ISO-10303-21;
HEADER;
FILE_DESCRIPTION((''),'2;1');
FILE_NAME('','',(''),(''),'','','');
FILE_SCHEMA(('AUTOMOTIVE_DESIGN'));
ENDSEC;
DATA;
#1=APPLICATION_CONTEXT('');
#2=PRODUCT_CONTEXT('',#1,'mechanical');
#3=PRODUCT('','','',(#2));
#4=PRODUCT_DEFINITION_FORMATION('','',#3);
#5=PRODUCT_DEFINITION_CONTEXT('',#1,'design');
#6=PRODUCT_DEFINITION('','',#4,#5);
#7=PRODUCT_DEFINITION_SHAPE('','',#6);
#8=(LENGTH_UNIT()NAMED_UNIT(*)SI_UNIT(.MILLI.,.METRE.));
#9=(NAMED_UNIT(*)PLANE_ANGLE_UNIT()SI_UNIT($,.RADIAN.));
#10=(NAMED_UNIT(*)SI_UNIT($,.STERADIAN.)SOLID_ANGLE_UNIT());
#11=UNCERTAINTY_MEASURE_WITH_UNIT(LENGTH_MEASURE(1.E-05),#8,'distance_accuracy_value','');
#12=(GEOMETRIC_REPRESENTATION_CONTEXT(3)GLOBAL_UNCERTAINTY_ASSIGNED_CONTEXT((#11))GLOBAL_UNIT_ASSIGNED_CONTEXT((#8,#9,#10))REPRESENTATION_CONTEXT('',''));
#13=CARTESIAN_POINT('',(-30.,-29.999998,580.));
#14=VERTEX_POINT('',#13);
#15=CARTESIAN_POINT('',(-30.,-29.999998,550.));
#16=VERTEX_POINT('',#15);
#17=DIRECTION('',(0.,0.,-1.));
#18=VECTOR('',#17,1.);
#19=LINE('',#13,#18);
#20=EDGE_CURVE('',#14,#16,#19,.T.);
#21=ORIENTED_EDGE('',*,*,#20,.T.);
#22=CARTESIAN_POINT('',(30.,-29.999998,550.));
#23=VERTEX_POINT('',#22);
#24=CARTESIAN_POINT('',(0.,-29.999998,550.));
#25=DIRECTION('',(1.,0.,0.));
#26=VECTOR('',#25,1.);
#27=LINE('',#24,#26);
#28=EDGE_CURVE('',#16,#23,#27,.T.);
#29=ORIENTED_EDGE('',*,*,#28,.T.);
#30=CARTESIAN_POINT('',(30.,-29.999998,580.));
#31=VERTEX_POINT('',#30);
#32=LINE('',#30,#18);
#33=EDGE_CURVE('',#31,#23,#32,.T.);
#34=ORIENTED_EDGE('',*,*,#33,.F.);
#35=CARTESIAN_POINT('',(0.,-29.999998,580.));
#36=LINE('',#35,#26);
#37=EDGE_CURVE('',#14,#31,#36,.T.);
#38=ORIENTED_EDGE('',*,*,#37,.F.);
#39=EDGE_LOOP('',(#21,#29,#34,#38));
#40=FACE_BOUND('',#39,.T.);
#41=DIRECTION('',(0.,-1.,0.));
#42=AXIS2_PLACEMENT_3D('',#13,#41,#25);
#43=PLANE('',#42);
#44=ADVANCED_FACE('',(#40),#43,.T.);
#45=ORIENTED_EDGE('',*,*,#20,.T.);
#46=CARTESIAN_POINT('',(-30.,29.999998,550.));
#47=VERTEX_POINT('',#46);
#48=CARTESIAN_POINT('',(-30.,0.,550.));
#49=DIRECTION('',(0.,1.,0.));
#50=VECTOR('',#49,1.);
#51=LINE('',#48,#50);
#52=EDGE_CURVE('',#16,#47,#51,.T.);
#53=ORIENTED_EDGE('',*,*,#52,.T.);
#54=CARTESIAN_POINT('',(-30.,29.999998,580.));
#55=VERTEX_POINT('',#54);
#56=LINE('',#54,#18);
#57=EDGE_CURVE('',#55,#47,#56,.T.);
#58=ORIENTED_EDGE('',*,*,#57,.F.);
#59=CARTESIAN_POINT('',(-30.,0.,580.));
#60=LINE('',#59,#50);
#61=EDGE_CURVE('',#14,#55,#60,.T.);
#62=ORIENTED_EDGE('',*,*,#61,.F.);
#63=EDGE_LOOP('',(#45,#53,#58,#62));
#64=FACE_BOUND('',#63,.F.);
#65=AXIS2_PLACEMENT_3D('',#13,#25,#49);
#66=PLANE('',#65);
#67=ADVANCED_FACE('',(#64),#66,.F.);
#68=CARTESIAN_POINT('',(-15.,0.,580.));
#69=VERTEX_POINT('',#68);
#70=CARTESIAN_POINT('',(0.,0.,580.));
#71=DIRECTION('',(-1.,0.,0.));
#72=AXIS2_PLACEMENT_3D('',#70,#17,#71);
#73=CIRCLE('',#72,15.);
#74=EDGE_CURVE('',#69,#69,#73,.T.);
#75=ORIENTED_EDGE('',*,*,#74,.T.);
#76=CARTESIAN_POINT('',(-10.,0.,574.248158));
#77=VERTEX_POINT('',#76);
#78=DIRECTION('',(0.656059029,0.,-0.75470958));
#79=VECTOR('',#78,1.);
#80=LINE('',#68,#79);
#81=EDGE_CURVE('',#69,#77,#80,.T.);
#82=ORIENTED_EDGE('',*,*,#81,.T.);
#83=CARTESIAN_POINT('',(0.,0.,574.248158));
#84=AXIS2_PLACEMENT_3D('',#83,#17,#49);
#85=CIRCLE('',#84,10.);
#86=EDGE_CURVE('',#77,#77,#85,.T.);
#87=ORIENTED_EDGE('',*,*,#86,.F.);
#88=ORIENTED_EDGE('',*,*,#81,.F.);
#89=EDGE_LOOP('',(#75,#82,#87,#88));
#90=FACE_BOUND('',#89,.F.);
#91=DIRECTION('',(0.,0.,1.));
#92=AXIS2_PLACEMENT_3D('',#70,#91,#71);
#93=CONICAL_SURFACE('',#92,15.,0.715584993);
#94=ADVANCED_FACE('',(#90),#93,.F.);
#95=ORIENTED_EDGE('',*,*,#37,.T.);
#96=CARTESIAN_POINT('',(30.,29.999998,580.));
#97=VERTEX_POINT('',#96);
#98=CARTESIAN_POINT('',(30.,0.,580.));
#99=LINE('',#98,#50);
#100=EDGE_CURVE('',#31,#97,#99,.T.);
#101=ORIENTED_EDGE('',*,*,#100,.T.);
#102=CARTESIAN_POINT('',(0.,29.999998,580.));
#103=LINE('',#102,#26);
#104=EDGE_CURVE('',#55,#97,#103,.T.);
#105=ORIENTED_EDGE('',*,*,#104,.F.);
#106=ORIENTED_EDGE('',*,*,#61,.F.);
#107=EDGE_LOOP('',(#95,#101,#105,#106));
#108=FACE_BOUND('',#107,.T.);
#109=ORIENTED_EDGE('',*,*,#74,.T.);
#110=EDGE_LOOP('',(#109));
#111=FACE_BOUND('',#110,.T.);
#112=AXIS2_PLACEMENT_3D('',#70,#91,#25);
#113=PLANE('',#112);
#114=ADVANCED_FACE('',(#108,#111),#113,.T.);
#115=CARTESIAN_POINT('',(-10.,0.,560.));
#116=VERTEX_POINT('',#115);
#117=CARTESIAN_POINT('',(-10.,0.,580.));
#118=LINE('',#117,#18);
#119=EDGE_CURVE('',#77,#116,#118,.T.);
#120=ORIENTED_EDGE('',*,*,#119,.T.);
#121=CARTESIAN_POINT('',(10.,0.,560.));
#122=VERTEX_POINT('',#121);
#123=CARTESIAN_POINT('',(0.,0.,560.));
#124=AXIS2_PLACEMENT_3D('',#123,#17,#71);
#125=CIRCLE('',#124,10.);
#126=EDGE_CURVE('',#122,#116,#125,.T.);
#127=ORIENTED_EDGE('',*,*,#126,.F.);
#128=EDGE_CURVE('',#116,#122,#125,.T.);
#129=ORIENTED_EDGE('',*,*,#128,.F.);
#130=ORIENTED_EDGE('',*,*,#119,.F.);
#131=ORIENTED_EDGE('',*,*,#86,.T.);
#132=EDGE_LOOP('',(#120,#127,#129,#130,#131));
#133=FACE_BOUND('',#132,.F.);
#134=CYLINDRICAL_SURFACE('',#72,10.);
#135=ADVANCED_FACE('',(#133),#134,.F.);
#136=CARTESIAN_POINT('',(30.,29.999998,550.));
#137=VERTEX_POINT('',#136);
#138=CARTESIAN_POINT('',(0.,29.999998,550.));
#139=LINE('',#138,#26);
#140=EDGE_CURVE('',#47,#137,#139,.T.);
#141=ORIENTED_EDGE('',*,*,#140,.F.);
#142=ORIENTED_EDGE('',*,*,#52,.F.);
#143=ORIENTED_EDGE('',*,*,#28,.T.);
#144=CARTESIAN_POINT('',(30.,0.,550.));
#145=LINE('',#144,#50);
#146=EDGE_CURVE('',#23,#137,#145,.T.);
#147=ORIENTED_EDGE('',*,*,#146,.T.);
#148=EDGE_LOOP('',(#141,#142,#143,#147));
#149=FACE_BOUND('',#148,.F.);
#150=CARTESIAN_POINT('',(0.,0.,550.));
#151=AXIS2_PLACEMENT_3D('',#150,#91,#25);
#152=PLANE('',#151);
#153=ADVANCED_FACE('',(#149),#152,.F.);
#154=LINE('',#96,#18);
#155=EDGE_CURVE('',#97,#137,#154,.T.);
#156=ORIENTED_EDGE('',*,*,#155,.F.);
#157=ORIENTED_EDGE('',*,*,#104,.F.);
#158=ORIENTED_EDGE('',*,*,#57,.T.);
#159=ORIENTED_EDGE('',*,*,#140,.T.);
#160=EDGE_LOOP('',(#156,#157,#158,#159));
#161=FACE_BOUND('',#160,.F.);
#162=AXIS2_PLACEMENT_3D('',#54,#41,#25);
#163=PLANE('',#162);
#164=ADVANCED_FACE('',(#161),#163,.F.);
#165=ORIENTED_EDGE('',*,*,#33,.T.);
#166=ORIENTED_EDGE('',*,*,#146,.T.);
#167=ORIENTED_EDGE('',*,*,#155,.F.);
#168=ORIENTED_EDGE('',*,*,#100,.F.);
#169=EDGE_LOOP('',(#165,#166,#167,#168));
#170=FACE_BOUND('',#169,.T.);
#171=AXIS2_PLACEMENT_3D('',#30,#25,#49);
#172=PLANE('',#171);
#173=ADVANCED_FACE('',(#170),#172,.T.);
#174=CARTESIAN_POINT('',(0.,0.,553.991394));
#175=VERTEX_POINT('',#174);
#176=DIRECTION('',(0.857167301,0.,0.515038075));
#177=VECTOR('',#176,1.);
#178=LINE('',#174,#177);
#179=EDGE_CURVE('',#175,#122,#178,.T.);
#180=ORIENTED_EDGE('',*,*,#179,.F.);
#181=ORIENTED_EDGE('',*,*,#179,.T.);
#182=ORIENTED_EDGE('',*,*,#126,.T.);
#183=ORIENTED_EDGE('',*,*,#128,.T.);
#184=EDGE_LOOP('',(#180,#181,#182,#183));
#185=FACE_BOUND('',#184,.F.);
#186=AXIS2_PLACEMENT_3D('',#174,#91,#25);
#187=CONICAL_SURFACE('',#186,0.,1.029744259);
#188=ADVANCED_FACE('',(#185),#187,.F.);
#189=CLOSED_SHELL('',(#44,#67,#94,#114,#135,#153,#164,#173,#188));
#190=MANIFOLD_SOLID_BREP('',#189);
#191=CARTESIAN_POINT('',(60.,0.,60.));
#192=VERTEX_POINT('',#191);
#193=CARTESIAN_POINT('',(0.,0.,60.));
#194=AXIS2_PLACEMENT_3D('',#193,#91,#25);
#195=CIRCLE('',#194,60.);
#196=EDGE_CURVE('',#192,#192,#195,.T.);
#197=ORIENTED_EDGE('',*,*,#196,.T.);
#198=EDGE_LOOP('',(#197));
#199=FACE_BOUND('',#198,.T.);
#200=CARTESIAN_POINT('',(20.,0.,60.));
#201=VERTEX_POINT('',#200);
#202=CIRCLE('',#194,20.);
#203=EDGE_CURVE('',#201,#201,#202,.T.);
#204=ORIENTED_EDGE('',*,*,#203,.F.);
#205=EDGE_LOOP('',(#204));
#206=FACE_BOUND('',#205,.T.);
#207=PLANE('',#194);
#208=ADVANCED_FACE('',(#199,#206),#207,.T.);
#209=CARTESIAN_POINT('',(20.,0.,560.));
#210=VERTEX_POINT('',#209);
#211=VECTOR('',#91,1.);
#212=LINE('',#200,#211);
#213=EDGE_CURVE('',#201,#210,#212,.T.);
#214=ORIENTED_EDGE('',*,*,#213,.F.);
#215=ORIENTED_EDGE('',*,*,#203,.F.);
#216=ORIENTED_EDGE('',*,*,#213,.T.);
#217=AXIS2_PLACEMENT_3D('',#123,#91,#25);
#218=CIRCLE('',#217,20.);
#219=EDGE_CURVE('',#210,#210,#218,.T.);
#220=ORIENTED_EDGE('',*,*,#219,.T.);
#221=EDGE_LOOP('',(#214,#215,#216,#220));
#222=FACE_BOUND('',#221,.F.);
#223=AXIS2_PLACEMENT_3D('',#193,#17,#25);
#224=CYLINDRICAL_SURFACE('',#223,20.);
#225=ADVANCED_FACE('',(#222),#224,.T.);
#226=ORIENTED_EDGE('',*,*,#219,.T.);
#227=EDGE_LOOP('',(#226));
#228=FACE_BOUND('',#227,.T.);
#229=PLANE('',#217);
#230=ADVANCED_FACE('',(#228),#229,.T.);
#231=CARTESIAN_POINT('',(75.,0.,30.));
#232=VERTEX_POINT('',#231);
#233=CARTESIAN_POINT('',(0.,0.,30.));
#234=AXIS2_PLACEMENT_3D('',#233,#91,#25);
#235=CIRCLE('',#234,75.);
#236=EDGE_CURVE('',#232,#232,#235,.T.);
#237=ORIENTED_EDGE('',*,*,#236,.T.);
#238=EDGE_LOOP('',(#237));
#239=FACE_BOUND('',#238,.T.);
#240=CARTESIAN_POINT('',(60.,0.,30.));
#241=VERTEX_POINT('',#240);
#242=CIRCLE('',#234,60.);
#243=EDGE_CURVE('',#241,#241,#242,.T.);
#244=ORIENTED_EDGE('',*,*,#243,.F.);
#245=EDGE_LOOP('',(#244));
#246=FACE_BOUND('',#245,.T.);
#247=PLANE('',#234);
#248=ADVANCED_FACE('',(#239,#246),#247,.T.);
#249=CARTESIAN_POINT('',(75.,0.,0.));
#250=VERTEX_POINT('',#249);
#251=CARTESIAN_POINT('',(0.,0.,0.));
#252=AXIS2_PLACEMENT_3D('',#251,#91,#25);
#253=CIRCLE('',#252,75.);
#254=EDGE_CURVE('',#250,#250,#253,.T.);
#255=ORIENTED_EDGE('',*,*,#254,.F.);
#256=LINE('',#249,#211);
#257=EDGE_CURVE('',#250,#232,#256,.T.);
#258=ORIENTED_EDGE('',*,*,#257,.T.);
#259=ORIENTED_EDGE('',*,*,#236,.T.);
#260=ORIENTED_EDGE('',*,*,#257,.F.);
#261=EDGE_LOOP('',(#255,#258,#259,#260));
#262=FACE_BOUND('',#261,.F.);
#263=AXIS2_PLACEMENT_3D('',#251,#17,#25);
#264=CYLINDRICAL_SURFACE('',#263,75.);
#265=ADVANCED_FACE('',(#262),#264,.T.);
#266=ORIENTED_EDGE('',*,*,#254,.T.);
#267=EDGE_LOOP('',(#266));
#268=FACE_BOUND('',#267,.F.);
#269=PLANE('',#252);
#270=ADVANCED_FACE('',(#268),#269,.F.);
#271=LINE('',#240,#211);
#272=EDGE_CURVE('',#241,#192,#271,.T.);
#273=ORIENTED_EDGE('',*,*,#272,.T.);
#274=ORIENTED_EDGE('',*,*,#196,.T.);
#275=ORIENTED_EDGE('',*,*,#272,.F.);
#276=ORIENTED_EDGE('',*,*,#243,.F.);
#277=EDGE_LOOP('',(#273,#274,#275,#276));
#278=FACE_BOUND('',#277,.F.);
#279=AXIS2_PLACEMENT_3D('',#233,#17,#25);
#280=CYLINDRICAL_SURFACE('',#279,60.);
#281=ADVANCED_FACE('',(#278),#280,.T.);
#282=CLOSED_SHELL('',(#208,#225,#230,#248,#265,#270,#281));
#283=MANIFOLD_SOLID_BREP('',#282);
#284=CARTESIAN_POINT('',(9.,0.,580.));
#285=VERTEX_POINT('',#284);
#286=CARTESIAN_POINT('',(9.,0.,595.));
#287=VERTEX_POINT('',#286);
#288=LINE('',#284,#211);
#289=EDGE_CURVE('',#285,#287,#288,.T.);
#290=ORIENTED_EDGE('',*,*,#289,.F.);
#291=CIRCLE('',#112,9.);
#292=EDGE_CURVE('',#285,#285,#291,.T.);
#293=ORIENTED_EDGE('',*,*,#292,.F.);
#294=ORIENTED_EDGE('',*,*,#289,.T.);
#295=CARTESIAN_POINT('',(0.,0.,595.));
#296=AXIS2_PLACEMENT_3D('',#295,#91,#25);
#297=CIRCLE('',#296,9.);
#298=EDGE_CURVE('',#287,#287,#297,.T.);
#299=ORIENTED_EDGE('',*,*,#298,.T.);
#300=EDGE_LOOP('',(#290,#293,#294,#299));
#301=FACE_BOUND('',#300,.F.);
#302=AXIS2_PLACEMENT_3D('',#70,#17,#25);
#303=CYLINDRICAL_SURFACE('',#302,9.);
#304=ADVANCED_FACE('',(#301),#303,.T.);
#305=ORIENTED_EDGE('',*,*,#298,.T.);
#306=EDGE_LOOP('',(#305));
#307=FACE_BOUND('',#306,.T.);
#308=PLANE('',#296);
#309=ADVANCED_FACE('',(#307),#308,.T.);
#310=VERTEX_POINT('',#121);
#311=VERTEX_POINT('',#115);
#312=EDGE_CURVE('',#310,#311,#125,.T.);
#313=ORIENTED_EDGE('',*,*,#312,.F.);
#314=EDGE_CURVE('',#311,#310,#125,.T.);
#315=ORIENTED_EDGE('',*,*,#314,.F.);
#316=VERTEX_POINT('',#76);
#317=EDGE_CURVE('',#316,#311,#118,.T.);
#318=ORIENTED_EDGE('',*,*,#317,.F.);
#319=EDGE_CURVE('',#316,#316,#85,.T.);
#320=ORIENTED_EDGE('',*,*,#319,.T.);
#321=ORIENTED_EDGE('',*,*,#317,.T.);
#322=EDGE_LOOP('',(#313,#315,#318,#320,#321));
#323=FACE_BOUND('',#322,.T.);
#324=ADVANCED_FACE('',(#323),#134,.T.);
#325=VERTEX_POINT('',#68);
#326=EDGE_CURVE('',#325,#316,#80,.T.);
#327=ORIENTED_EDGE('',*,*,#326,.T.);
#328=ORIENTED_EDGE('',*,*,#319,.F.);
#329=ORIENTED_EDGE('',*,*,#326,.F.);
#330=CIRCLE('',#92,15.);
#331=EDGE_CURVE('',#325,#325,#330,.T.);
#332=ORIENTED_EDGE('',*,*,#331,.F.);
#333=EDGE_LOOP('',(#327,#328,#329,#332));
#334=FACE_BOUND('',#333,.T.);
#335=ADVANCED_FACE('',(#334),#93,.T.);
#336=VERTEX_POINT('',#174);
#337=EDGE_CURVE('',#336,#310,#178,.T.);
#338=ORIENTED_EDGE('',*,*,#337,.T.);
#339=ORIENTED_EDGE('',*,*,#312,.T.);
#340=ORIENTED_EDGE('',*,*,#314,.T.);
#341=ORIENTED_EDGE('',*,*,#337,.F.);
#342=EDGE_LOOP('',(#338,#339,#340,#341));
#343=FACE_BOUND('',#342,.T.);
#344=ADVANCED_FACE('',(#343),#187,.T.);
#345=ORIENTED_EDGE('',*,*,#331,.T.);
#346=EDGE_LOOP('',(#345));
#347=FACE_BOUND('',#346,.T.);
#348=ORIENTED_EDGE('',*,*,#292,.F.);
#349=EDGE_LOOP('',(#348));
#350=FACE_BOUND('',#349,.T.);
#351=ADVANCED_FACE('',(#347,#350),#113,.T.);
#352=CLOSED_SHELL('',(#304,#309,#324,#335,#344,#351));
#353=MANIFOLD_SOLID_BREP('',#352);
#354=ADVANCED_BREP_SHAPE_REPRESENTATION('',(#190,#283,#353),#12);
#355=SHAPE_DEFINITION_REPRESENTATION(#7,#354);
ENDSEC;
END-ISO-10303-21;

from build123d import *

# Parameters (mm, degrees)
F0_R            = 75
F1_DEPTH        = 30
F2_R            = 60
F3_DEPTH        = 30
F4_R            = 20
F5_DEPTH        = 500
F7_W            = 60
F7_H            = 59.9999963766
F8_DEPTH        = 30
F10_D           = 20
F10_DEPTH       = 20
F10_CSINK_D     = 30
F10_CSINK_ANGLE = 82
F10_TIP         = 6.0086061903
F11_R           = 15
F12_DEPTH       = 30
F13_R           = 9
F14_DEPTH       = 15


with BuildPart() as f1:
    # F0 (on Top) → F1 (new body)
    with BuildSketch(Plane.XY):
        Circle(F0_R)
    extrude(amount=F1_DEPTH)

    # F2 (on face) → F3 (join)
    with BuildSketch(Plane.XY.offset(30)):
        Circle(F2_R)
    extrude(amount=F3_DEPTH)

    # F4 (on face) → F5 (join)
    with BuildSketch(Plane.XY.offset(60)):
        Circle(F4_R)
    extrude(amount=F5_DEPTH)


with BuildPart() as f8:
    # F7 (on offset) → F8 (new body)
    with BuildSketch(Plane.XY.offset(580)):
        Rectangle(F7_W, F7_H)
    extrude(amount=-F8_DEPTH)

    # F10
    with Locations(Plane.XY.offset(580)):
        with Locations((0, 0)):
            CounterSinkHole(F10_D / 2, F10_CSINK_D / 2, depth=F10_DEPTH, counter_sink_angle=F10_CSINK_ANGLE)
            with Locations((0, 0, -(F10_DEPTH + F10_TIP / 2))):  # 118° drill point
                Cone(0, F10_D / 2, F10_TIP, mode=Mode.SUBTRACT)


with BuildPart() as f12:
    # F11 (on face) → F12 (new body, through all)
    with BuildSketch(Plane.XY.offset(580)):
        Circle(F11_R)
    extrude(amount=-F12_DEPTH)

    # F13 (on face) → F14 (join)
    with BuildSketch(Plane.XY.offset(580)):
        Circle(F13_R)
    extrude(amount=F14_DEPTH)

    # F15: cut F8
    add(f8.part, mode=Mode.SUBTRACT)


solid = Compound([f1.part, f8.part, f12.part])
